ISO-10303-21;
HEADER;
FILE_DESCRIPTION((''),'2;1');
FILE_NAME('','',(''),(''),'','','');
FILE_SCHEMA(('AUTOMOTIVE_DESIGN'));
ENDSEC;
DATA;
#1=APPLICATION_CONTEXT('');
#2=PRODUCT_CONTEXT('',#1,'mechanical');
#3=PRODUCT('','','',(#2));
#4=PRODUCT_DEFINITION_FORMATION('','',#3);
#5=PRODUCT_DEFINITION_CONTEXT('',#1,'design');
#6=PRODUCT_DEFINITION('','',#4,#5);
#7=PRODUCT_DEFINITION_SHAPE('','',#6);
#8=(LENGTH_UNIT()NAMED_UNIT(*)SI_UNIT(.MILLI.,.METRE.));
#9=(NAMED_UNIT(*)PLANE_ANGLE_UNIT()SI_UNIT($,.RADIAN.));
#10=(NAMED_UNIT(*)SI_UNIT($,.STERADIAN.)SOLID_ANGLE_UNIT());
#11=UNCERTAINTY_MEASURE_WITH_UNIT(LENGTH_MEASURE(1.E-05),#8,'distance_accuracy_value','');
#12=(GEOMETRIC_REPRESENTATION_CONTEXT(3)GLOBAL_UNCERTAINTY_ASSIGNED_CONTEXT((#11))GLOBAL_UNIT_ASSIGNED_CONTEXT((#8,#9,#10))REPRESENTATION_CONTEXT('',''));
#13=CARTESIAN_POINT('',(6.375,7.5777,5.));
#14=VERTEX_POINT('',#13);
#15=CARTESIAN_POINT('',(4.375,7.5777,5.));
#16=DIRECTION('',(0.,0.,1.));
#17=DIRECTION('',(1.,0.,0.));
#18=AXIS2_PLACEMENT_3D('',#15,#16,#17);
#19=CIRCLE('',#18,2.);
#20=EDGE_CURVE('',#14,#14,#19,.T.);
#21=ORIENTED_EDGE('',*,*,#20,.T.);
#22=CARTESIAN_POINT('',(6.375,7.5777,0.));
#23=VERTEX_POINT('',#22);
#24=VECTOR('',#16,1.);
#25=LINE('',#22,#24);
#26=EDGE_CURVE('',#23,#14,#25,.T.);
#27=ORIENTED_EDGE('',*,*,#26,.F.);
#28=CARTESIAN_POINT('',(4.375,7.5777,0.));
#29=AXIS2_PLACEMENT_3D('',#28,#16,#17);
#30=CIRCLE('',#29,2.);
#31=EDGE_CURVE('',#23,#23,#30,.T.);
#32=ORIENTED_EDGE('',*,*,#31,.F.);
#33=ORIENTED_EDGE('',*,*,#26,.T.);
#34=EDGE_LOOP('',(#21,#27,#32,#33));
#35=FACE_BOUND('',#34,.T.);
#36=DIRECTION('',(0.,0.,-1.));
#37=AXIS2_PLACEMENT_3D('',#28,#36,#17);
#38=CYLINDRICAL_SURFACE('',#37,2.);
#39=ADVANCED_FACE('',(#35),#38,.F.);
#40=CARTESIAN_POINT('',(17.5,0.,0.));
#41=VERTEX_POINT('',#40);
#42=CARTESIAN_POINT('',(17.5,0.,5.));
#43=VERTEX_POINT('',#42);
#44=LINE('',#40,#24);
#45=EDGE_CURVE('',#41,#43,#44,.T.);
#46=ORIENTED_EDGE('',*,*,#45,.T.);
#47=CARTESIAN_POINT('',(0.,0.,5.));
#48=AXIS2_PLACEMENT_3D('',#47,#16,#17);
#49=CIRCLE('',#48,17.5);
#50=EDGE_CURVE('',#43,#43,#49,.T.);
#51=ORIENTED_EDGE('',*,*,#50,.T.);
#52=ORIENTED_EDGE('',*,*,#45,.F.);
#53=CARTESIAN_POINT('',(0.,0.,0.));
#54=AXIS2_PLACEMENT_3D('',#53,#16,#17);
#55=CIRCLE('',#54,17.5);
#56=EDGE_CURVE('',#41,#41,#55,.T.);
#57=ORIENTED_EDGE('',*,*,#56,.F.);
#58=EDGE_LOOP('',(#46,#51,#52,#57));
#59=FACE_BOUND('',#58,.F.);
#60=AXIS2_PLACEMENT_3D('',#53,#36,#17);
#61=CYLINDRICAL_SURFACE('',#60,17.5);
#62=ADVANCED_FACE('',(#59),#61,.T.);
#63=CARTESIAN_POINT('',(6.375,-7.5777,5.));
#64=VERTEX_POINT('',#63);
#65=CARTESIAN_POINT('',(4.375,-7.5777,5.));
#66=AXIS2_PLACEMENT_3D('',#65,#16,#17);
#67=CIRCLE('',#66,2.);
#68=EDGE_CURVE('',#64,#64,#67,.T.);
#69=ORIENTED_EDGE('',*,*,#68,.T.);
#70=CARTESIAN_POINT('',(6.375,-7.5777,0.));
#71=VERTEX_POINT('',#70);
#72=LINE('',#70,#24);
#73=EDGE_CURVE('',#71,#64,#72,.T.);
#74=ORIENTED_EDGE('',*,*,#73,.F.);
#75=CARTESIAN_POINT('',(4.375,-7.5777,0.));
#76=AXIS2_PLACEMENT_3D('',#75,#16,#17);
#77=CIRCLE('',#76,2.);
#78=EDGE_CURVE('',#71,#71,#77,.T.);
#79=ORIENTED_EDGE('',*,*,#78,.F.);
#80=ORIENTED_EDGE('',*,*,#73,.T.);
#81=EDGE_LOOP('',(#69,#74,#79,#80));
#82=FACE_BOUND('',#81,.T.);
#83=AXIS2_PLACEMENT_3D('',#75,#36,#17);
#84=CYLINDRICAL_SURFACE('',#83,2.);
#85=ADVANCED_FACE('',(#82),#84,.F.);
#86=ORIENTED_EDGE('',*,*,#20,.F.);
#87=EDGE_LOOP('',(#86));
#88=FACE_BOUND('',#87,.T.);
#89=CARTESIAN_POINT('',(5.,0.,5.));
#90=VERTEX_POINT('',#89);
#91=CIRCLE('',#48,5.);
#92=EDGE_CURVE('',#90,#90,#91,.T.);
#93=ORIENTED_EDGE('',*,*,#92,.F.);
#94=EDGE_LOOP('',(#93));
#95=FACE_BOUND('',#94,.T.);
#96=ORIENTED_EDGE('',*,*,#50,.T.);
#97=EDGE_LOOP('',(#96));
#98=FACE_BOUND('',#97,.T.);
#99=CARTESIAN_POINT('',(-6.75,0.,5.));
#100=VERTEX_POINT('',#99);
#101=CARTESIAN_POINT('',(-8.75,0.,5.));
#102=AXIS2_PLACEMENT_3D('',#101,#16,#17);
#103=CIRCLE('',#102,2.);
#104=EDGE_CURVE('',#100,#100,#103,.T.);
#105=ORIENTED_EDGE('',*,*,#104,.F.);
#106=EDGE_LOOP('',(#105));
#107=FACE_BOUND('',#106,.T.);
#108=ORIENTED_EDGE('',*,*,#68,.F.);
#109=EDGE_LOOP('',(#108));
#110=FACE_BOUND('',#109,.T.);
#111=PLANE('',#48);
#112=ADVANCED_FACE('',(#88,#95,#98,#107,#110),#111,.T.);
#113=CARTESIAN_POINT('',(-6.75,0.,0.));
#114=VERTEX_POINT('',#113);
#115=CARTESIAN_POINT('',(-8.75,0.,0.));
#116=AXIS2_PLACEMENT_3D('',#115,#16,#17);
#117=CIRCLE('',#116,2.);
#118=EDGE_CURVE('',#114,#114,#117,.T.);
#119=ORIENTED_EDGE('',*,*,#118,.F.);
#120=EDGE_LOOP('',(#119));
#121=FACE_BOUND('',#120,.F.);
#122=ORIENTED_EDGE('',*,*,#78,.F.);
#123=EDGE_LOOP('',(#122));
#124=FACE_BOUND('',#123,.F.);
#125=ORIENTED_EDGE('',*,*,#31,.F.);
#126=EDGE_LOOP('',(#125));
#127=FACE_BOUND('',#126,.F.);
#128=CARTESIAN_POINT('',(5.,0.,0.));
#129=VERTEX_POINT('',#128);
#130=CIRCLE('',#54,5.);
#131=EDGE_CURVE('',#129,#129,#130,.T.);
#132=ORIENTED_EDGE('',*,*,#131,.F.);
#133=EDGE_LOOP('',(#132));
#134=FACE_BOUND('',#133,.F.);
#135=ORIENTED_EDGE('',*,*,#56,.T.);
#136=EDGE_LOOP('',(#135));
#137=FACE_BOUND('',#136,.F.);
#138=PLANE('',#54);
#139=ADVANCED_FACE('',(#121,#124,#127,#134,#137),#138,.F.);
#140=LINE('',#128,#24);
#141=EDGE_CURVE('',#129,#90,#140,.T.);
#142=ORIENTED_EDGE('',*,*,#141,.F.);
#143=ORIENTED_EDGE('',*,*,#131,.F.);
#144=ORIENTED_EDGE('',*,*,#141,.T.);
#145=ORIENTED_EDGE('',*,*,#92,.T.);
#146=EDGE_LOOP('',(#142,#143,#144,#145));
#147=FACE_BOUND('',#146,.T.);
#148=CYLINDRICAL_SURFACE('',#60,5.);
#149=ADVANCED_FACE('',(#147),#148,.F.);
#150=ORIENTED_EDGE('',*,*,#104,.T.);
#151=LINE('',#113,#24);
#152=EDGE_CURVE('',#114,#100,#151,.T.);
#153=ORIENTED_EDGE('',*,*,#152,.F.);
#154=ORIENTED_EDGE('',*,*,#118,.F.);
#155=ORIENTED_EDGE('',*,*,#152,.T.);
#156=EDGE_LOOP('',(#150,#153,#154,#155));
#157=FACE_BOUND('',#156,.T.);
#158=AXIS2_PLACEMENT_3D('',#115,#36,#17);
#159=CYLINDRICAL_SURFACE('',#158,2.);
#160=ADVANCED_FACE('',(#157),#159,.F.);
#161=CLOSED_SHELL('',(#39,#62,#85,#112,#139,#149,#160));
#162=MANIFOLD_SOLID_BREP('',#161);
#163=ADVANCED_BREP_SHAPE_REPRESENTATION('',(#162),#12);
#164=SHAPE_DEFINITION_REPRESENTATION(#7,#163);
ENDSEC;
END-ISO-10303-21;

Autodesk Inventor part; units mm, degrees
ref_plane "YZ Plane" through (0, 0, 0) normal (1, 0, 0) x (0, 1, 0)
ref_plane "XZ Plane" through (0, 0, 0) normal (0, 1, 0) x (-1, 0, 0)
ref_plane "XY Plane" through (0, 0, 0) normal (0, 0, 1) x (1, 0, 0)
sketch "Sketch1" plane through (0, 0, 0) normal (0, 0, 1) x (1, 0, 0)
  circle A0 centre (0, 0) radius 17.5
  circle A1 centre (0, 0) radius 5
  circle A2 centre (-8.75, 0) radius 2
  circle A3 centre (4.375, -7.5777) radius 2
  circle A4 centre (4.375, 7.5777) radius 2
  dimension "d0" = 35
  dimension "d1" = 10
  dimension "d2" = 4
  dimension "d3" = 8.75
  dimension "d6" = 360
extrude "Extrusion1" add sketch "Sketch1" along normal blind 5
thread "Thread1" size "M4x0.7" class "6H" standard "ANSI Metric M Profile" full length
thread "Thread2" size "M4x0.7" class "6H" standard "ANSI Metric M Profile" full length
thread "Thread3" size "M4x0.7" class "6H" standard "ANSI Metric M Profile" full length
properties part number "CP014" material "ABS Plastic"
